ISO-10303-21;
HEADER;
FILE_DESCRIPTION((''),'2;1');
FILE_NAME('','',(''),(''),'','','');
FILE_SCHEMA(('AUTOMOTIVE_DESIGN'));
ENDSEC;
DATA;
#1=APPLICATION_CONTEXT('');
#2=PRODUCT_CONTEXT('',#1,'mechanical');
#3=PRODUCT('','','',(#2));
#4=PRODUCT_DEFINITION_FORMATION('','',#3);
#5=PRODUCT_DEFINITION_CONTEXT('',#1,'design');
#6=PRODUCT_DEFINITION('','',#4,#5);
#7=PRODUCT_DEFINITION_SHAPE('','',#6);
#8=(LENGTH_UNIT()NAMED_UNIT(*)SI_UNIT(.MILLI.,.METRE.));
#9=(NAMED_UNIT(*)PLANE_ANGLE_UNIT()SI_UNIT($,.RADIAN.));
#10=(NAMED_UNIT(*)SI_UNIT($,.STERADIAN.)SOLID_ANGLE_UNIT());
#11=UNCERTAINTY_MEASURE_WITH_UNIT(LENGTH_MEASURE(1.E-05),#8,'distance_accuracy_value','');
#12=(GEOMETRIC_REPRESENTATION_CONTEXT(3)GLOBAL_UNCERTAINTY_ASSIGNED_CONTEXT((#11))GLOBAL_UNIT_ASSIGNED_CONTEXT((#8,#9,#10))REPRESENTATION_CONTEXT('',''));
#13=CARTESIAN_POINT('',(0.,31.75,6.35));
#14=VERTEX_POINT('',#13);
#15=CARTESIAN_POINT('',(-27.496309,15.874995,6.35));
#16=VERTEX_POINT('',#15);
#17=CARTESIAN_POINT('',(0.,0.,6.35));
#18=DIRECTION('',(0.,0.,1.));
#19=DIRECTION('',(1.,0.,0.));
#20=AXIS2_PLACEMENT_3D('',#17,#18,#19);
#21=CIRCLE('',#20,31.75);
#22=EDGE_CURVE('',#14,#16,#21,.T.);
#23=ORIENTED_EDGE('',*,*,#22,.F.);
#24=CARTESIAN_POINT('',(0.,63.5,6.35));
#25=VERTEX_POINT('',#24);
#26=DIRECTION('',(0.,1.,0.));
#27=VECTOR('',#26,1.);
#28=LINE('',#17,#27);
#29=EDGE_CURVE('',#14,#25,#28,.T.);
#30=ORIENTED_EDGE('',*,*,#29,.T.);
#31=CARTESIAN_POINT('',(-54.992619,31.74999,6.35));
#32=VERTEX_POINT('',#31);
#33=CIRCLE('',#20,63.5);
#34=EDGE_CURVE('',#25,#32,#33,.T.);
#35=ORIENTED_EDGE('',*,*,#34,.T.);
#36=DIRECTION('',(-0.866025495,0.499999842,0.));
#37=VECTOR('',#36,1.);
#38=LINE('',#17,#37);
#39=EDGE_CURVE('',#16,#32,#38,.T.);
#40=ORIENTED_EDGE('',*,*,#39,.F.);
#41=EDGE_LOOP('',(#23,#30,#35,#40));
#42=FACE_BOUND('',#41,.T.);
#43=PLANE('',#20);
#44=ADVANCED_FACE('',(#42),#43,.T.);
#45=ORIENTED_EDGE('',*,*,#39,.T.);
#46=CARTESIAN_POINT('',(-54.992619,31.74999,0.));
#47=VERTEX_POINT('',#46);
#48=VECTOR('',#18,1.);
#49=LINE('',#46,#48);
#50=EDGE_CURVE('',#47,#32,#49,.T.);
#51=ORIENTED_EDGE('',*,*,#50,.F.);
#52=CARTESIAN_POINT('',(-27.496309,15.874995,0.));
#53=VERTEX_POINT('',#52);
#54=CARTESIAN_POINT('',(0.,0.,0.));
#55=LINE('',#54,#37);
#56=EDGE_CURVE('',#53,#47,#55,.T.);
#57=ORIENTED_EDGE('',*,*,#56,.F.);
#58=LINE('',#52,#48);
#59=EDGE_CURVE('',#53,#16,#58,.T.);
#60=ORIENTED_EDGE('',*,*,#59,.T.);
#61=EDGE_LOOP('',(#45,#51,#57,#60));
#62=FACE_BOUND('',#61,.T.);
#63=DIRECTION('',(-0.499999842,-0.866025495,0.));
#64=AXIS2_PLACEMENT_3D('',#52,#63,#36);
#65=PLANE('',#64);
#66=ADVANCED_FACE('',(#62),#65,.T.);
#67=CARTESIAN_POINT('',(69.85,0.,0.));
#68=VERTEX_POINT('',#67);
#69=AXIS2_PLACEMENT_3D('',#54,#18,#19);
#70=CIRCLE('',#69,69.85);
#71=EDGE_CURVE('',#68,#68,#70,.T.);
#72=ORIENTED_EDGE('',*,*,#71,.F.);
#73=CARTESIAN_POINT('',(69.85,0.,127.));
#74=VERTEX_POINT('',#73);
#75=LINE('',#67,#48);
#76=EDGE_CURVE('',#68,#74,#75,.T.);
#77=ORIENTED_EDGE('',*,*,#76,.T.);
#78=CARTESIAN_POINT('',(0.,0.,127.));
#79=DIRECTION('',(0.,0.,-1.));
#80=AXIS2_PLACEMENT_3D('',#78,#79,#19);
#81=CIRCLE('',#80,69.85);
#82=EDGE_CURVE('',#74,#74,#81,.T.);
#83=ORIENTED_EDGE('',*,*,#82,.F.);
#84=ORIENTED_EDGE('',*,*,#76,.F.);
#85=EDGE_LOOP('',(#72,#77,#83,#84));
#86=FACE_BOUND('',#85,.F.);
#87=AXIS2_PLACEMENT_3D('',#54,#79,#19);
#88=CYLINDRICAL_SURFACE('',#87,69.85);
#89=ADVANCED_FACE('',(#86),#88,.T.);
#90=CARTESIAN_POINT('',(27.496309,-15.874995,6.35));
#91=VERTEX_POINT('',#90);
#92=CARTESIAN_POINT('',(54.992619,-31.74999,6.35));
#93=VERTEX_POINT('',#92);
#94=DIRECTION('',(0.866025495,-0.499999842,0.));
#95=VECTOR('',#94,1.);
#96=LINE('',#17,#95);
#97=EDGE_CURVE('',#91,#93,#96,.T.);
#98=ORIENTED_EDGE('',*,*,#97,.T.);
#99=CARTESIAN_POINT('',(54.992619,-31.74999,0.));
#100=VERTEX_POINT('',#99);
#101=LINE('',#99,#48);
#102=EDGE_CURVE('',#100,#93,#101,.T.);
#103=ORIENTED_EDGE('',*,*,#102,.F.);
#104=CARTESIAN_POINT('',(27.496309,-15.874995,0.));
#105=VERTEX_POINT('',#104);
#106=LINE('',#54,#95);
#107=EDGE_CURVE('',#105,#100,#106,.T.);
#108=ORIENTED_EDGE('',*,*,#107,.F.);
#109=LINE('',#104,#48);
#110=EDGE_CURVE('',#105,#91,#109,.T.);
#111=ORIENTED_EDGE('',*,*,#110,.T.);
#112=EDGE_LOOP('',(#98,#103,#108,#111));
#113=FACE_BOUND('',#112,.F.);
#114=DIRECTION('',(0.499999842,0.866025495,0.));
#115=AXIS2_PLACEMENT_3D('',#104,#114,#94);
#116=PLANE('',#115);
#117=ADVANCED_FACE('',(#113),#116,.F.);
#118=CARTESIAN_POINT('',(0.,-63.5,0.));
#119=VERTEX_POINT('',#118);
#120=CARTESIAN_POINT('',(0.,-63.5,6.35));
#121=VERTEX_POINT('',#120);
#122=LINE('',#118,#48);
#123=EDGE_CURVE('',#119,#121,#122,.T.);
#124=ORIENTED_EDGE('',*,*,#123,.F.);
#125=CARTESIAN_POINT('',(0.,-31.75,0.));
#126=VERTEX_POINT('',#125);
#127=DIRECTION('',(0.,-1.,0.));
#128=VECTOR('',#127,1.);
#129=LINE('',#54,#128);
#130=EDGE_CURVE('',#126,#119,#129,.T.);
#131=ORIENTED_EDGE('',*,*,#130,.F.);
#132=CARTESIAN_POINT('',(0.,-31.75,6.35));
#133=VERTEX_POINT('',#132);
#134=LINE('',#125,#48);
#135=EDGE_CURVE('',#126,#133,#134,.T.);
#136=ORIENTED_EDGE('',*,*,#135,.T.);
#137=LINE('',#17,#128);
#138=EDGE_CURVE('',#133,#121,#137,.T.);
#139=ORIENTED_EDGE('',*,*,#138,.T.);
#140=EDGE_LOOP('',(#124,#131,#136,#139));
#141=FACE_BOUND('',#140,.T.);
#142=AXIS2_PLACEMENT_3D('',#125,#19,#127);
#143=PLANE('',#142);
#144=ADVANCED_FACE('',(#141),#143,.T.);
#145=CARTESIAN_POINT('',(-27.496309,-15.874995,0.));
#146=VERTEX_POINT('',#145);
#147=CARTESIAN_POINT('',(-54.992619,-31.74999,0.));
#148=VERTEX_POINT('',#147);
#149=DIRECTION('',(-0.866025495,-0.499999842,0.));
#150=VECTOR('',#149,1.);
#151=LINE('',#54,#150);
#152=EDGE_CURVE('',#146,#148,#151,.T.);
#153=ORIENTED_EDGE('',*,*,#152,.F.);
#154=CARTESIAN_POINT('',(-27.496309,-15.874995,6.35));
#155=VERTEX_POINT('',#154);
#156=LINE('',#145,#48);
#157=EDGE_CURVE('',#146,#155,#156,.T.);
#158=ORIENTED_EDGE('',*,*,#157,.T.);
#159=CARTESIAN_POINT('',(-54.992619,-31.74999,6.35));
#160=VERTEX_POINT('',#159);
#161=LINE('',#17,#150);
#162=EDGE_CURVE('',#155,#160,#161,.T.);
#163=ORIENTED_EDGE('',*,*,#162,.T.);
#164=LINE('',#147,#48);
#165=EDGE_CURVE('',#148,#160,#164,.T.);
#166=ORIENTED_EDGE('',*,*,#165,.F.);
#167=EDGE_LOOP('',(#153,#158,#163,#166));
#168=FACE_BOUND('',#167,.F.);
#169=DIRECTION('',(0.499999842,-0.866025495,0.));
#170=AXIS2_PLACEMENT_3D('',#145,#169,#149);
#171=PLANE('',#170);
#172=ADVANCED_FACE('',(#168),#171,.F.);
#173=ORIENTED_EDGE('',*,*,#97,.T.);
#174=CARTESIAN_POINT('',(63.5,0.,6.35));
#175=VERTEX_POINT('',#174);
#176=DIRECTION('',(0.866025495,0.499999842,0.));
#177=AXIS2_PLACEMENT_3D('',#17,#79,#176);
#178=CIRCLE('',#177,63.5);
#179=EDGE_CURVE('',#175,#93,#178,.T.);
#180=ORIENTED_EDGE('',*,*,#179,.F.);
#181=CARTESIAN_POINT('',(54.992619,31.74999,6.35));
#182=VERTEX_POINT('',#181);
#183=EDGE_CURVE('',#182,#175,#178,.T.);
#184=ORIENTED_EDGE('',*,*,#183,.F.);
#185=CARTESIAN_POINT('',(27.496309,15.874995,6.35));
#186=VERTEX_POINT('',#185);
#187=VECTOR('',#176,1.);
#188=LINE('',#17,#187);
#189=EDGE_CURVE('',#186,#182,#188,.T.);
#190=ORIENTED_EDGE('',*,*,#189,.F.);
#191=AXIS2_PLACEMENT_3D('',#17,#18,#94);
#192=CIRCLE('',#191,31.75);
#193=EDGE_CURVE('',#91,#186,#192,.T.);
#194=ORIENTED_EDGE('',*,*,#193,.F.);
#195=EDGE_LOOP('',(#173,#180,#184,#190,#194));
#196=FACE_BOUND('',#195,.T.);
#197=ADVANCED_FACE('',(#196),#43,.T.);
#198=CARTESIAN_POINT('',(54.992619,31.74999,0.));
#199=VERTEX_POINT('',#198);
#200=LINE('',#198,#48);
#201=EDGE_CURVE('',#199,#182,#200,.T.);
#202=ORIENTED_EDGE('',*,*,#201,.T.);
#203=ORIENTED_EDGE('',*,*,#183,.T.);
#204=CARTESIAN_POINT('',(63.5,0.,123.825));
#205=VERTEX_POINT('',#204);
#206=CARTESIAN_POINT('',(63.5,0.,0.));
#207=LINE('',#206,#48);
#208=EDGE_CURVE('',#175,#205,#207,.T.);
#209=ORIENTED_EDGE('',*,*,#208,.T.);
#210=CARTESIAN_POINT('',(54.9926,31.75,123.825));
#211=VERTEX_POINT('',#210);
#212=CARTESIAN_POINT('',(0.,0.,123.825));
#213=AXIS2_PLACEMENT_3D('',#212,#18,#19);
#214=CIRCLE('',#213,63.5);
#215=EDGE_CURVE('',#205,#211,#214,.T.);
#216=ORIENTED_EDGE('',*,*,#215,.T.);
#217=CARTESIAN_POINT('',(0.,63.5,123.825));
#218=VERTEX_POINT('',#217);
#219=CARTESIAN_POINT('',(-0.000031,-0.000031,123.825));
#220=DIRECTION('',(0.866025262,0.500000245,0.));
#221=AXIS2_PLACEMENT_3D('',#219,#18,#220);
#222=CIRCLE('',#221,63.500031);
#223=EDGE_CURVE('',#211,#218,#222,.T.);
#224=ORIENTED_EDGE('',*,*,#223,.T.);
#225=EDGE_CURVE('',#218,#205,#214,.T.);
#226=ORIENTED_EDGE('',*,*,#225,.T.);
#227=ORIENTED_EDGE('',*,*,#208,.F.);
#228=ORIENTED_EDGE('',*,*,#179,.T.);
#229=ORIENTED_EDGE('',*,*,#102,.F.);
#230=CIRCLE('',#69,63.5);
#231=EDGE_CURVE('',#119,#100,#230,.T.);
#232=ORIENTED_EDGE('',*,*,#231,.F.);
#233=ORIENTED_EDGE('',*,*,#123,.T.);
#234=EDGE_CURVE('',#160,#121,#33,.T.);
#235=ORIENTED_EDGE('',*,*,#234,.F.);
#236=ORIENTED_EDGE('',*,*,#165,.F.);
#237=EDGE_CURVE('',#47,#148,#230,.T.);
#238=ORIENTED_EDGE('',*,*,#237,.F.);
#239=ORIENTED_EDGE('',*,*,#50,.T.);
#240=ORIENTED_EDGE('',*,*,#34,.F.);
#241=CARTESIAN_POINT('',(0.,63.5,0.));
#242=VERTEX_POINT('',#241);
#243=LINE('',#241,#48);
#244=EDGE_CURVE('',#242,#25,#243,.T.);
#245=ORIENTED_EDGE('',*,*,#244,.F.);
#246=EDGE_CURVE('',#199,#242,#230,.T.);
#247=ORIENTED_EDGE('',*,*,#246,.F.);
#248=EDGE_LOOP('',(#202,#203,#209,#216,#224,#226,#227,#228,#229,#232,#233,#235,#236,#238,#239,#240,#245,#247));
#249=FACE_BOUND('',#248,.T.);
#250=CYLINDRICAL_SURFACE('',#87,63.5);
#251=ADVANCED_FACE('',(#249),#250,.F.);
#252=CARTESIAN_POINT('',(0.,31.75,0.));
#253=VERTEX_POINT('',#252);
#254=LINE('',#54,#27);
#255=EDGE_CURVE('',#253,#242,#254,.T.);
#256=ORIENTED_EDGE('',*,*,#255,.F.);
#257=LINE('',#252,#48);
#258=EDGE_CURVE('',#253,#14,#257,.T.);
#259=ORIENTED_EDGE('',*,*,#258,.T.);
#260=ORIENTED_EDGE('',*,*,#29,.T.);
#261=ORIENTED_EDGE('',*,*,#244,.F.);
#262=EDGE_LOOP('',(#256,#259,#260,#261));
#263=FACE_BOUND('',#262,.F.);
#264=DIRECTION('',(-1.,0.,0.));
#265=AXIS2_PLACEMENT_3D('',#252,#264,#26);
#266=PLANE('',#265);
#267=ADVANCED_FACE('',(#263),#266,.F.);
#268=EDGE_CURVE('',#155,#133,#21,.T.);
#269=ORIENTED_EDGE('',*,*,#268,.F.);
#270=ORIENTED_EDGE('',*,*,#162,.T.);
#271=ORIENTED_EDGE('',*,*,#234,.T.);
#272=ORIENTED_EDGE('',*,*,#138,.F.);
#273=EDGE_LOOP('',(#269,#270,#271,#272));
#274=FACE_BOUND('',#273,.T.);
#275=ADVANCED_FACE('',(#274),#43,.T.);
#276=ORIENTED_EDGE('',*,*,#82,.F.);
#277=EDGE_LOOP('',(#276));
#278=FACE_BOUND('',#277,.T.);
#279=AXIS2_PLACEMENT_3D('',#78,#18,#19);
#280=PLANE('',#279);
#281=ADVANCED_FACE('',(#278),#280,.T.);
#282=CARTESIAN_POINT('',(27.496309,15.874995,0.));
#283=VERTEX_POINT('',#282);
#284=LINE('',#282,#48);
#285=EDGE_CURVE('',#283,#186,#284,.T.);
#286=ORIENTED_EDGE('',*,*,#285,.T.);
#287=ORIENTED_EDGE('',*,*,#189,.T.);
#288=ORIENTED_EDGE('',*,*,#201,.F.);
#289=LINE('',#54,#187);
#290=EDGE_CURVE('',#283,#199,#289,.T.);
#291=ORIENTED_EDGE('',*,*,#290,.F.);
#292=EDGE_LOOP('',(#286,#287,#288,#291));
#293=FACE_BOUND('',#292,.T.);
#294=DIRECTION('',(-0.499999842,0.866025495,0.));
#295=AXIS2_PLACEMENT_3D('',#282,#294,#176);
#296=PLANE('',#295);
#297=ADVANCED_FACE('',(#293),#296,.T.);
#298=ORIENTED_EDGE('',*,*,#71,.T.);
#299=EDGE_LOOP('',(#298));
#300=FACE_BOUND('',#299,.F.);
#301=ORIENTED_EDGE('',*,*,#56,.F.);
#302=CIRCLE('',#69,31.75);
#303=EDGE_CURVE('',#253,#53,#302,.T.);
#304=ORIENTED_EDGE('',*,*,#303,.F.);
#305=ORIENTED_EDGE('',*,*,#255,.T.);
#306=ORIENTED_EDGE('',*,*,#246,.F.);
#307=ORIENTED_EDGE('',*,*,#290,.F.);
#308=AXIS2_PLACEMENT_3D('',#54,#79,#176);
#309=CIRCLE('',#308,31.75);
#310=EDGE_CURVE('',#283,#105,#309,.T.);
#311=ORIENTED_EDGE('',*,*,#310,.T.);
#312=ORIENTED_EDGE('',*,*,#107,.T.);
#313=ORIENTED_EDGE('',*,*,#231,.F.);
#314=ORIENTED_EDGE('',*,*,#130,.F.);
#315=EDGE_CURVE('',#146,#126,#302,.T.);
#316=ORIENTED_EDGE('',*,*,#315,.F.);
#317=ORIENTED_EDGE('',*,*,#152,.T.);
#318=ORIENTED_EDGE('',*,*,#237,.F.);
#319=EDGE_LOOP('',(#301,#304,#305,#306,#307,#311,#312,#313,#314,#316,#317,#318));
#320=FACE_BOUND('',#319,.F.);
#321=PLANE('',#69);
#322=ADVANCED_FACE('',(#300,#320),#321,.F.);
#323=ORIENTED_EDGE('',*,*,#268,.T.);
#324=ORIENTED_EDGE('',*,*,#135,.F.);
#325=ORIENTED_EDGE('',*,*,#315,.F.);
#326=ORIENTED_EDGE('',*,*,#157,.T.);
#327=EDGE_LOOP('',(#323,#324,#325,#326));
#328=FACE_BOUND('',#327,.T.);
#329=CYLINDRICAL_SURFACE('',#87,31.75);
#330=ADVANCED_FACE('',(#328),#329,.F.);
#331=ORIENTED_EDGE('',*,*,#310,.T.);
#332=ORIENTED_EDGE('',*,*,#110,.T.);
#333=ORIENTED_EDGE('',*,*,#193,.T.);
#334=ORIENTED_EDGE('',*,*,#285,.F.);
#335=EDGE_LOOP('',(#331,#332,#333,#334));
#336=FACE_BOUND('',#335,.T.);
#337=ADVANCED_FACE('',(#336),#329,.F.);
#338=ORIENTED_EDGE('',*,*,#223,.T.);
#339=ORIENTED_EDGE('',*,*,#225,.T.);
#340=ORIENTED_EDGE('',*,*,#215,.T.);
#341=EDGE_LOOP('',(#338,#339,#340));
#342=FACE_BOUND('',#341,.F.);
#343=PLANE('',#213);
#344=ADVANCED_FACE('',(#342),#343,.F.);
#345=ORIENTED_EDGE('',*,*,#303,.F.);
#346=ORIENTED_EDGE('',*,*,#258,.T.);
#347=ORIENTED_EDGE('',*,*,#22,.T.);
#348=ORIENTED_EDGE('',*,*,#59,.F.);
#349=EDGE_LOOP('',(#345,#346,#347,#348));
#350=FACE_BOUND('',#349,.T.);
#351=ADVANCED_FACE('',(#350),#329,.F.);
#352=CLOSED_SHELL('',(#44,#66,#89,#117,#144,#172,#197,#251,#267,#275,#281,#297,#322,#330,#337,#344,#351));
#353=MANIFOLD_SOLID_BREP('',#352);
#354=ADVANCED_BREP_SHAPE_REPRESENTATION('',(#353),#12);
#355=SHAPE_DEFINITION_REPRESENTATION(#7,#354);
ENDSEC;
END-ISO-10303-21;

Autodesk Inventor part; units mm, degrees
ref_plane "YZ Plane" through (0, 0, 0) normal (1, 0, 0) x (0, 1, 0)
ref_plane "XZ Plane" through (0, 0, 0) normal (0, 1, 0) x (-1, 0, 0)
ref_plane "XY Plane" through (0, 0, 0) normal (0, 0, 1) x (1, 0, 0)
sketch "Sketch1" plane through (0, 0, 0) normal (0, 0, 1) x (1, 0, 0)
  circle A0 centre (0, 0) radius 31.75
  circle A1 centre (0, 0) radius 63.5
  circle A2 centre (0, 0) radius 69.85
  line L0 (0, 0) -> (0, 69.85)
  line L1 (0, 0) -> (-60.4919, 34.925)
  line L2 (0, 0) -> (-60.4919, -34.925)
  line L3 (0, 0) -> (0, -69.85)
  line L4 (0, 0) -> (60.4919, -34.925)
  line L5 (0, 0) -> (60.4919, 34.925)
  point P0 (54.9926, 31.75)
  point P1 (27.4963, 15.875)
  point P2 (27.4963, -15.875)
  point P3 (54.9926, -31.75)
  point P4 (0, -63.5)
  point P5 (0, -31.75)
  point P6 (-27.4963, -15.875)
  point P7 (-54.9926, -31.75)
  point P8 (-54.9926, 31.75)
  point P9 (-27.4963, 15.875)
  point P10 (0, 31.75)
  point P11 (0, 63.5)
  dimension "d16" = 139.7
  dimension "d5" = 360
  dimension "d14" = 127
  dimension "d15" = 63.5
extrude "Extrusion1" add sketch "Sketch1" along normal blind 127 contours L5 A2 L4 A1 | A1 L0 A2 L5 | L4 A2 L3 A1 | A1 L1 A2 L0 | L3 A2 L2 A1 | A1 L2 A2 L1
extrude "Extrusion2" add sketch "Sketch1" along normal blind 6.35 contours A0 L5 A1 L4 | A0 L1 A1 L0 | L3 A1 L2 A0
sketch "Sketch2" plane through (0, 0, 127) normal (0, 0, 1) x (1, 0, 0)
  arc A0 (54.9926, 31.75) -> (0, 63.5) centre (0, 0) ccw projected
  circle A1 centre (0, 0) radius 63.5
  point P0 (54.9926, 31.75)
extrude "Extrusion3" add sketch "Sketch2" against normal blind 3.175
properties part number "Powder Canister"
